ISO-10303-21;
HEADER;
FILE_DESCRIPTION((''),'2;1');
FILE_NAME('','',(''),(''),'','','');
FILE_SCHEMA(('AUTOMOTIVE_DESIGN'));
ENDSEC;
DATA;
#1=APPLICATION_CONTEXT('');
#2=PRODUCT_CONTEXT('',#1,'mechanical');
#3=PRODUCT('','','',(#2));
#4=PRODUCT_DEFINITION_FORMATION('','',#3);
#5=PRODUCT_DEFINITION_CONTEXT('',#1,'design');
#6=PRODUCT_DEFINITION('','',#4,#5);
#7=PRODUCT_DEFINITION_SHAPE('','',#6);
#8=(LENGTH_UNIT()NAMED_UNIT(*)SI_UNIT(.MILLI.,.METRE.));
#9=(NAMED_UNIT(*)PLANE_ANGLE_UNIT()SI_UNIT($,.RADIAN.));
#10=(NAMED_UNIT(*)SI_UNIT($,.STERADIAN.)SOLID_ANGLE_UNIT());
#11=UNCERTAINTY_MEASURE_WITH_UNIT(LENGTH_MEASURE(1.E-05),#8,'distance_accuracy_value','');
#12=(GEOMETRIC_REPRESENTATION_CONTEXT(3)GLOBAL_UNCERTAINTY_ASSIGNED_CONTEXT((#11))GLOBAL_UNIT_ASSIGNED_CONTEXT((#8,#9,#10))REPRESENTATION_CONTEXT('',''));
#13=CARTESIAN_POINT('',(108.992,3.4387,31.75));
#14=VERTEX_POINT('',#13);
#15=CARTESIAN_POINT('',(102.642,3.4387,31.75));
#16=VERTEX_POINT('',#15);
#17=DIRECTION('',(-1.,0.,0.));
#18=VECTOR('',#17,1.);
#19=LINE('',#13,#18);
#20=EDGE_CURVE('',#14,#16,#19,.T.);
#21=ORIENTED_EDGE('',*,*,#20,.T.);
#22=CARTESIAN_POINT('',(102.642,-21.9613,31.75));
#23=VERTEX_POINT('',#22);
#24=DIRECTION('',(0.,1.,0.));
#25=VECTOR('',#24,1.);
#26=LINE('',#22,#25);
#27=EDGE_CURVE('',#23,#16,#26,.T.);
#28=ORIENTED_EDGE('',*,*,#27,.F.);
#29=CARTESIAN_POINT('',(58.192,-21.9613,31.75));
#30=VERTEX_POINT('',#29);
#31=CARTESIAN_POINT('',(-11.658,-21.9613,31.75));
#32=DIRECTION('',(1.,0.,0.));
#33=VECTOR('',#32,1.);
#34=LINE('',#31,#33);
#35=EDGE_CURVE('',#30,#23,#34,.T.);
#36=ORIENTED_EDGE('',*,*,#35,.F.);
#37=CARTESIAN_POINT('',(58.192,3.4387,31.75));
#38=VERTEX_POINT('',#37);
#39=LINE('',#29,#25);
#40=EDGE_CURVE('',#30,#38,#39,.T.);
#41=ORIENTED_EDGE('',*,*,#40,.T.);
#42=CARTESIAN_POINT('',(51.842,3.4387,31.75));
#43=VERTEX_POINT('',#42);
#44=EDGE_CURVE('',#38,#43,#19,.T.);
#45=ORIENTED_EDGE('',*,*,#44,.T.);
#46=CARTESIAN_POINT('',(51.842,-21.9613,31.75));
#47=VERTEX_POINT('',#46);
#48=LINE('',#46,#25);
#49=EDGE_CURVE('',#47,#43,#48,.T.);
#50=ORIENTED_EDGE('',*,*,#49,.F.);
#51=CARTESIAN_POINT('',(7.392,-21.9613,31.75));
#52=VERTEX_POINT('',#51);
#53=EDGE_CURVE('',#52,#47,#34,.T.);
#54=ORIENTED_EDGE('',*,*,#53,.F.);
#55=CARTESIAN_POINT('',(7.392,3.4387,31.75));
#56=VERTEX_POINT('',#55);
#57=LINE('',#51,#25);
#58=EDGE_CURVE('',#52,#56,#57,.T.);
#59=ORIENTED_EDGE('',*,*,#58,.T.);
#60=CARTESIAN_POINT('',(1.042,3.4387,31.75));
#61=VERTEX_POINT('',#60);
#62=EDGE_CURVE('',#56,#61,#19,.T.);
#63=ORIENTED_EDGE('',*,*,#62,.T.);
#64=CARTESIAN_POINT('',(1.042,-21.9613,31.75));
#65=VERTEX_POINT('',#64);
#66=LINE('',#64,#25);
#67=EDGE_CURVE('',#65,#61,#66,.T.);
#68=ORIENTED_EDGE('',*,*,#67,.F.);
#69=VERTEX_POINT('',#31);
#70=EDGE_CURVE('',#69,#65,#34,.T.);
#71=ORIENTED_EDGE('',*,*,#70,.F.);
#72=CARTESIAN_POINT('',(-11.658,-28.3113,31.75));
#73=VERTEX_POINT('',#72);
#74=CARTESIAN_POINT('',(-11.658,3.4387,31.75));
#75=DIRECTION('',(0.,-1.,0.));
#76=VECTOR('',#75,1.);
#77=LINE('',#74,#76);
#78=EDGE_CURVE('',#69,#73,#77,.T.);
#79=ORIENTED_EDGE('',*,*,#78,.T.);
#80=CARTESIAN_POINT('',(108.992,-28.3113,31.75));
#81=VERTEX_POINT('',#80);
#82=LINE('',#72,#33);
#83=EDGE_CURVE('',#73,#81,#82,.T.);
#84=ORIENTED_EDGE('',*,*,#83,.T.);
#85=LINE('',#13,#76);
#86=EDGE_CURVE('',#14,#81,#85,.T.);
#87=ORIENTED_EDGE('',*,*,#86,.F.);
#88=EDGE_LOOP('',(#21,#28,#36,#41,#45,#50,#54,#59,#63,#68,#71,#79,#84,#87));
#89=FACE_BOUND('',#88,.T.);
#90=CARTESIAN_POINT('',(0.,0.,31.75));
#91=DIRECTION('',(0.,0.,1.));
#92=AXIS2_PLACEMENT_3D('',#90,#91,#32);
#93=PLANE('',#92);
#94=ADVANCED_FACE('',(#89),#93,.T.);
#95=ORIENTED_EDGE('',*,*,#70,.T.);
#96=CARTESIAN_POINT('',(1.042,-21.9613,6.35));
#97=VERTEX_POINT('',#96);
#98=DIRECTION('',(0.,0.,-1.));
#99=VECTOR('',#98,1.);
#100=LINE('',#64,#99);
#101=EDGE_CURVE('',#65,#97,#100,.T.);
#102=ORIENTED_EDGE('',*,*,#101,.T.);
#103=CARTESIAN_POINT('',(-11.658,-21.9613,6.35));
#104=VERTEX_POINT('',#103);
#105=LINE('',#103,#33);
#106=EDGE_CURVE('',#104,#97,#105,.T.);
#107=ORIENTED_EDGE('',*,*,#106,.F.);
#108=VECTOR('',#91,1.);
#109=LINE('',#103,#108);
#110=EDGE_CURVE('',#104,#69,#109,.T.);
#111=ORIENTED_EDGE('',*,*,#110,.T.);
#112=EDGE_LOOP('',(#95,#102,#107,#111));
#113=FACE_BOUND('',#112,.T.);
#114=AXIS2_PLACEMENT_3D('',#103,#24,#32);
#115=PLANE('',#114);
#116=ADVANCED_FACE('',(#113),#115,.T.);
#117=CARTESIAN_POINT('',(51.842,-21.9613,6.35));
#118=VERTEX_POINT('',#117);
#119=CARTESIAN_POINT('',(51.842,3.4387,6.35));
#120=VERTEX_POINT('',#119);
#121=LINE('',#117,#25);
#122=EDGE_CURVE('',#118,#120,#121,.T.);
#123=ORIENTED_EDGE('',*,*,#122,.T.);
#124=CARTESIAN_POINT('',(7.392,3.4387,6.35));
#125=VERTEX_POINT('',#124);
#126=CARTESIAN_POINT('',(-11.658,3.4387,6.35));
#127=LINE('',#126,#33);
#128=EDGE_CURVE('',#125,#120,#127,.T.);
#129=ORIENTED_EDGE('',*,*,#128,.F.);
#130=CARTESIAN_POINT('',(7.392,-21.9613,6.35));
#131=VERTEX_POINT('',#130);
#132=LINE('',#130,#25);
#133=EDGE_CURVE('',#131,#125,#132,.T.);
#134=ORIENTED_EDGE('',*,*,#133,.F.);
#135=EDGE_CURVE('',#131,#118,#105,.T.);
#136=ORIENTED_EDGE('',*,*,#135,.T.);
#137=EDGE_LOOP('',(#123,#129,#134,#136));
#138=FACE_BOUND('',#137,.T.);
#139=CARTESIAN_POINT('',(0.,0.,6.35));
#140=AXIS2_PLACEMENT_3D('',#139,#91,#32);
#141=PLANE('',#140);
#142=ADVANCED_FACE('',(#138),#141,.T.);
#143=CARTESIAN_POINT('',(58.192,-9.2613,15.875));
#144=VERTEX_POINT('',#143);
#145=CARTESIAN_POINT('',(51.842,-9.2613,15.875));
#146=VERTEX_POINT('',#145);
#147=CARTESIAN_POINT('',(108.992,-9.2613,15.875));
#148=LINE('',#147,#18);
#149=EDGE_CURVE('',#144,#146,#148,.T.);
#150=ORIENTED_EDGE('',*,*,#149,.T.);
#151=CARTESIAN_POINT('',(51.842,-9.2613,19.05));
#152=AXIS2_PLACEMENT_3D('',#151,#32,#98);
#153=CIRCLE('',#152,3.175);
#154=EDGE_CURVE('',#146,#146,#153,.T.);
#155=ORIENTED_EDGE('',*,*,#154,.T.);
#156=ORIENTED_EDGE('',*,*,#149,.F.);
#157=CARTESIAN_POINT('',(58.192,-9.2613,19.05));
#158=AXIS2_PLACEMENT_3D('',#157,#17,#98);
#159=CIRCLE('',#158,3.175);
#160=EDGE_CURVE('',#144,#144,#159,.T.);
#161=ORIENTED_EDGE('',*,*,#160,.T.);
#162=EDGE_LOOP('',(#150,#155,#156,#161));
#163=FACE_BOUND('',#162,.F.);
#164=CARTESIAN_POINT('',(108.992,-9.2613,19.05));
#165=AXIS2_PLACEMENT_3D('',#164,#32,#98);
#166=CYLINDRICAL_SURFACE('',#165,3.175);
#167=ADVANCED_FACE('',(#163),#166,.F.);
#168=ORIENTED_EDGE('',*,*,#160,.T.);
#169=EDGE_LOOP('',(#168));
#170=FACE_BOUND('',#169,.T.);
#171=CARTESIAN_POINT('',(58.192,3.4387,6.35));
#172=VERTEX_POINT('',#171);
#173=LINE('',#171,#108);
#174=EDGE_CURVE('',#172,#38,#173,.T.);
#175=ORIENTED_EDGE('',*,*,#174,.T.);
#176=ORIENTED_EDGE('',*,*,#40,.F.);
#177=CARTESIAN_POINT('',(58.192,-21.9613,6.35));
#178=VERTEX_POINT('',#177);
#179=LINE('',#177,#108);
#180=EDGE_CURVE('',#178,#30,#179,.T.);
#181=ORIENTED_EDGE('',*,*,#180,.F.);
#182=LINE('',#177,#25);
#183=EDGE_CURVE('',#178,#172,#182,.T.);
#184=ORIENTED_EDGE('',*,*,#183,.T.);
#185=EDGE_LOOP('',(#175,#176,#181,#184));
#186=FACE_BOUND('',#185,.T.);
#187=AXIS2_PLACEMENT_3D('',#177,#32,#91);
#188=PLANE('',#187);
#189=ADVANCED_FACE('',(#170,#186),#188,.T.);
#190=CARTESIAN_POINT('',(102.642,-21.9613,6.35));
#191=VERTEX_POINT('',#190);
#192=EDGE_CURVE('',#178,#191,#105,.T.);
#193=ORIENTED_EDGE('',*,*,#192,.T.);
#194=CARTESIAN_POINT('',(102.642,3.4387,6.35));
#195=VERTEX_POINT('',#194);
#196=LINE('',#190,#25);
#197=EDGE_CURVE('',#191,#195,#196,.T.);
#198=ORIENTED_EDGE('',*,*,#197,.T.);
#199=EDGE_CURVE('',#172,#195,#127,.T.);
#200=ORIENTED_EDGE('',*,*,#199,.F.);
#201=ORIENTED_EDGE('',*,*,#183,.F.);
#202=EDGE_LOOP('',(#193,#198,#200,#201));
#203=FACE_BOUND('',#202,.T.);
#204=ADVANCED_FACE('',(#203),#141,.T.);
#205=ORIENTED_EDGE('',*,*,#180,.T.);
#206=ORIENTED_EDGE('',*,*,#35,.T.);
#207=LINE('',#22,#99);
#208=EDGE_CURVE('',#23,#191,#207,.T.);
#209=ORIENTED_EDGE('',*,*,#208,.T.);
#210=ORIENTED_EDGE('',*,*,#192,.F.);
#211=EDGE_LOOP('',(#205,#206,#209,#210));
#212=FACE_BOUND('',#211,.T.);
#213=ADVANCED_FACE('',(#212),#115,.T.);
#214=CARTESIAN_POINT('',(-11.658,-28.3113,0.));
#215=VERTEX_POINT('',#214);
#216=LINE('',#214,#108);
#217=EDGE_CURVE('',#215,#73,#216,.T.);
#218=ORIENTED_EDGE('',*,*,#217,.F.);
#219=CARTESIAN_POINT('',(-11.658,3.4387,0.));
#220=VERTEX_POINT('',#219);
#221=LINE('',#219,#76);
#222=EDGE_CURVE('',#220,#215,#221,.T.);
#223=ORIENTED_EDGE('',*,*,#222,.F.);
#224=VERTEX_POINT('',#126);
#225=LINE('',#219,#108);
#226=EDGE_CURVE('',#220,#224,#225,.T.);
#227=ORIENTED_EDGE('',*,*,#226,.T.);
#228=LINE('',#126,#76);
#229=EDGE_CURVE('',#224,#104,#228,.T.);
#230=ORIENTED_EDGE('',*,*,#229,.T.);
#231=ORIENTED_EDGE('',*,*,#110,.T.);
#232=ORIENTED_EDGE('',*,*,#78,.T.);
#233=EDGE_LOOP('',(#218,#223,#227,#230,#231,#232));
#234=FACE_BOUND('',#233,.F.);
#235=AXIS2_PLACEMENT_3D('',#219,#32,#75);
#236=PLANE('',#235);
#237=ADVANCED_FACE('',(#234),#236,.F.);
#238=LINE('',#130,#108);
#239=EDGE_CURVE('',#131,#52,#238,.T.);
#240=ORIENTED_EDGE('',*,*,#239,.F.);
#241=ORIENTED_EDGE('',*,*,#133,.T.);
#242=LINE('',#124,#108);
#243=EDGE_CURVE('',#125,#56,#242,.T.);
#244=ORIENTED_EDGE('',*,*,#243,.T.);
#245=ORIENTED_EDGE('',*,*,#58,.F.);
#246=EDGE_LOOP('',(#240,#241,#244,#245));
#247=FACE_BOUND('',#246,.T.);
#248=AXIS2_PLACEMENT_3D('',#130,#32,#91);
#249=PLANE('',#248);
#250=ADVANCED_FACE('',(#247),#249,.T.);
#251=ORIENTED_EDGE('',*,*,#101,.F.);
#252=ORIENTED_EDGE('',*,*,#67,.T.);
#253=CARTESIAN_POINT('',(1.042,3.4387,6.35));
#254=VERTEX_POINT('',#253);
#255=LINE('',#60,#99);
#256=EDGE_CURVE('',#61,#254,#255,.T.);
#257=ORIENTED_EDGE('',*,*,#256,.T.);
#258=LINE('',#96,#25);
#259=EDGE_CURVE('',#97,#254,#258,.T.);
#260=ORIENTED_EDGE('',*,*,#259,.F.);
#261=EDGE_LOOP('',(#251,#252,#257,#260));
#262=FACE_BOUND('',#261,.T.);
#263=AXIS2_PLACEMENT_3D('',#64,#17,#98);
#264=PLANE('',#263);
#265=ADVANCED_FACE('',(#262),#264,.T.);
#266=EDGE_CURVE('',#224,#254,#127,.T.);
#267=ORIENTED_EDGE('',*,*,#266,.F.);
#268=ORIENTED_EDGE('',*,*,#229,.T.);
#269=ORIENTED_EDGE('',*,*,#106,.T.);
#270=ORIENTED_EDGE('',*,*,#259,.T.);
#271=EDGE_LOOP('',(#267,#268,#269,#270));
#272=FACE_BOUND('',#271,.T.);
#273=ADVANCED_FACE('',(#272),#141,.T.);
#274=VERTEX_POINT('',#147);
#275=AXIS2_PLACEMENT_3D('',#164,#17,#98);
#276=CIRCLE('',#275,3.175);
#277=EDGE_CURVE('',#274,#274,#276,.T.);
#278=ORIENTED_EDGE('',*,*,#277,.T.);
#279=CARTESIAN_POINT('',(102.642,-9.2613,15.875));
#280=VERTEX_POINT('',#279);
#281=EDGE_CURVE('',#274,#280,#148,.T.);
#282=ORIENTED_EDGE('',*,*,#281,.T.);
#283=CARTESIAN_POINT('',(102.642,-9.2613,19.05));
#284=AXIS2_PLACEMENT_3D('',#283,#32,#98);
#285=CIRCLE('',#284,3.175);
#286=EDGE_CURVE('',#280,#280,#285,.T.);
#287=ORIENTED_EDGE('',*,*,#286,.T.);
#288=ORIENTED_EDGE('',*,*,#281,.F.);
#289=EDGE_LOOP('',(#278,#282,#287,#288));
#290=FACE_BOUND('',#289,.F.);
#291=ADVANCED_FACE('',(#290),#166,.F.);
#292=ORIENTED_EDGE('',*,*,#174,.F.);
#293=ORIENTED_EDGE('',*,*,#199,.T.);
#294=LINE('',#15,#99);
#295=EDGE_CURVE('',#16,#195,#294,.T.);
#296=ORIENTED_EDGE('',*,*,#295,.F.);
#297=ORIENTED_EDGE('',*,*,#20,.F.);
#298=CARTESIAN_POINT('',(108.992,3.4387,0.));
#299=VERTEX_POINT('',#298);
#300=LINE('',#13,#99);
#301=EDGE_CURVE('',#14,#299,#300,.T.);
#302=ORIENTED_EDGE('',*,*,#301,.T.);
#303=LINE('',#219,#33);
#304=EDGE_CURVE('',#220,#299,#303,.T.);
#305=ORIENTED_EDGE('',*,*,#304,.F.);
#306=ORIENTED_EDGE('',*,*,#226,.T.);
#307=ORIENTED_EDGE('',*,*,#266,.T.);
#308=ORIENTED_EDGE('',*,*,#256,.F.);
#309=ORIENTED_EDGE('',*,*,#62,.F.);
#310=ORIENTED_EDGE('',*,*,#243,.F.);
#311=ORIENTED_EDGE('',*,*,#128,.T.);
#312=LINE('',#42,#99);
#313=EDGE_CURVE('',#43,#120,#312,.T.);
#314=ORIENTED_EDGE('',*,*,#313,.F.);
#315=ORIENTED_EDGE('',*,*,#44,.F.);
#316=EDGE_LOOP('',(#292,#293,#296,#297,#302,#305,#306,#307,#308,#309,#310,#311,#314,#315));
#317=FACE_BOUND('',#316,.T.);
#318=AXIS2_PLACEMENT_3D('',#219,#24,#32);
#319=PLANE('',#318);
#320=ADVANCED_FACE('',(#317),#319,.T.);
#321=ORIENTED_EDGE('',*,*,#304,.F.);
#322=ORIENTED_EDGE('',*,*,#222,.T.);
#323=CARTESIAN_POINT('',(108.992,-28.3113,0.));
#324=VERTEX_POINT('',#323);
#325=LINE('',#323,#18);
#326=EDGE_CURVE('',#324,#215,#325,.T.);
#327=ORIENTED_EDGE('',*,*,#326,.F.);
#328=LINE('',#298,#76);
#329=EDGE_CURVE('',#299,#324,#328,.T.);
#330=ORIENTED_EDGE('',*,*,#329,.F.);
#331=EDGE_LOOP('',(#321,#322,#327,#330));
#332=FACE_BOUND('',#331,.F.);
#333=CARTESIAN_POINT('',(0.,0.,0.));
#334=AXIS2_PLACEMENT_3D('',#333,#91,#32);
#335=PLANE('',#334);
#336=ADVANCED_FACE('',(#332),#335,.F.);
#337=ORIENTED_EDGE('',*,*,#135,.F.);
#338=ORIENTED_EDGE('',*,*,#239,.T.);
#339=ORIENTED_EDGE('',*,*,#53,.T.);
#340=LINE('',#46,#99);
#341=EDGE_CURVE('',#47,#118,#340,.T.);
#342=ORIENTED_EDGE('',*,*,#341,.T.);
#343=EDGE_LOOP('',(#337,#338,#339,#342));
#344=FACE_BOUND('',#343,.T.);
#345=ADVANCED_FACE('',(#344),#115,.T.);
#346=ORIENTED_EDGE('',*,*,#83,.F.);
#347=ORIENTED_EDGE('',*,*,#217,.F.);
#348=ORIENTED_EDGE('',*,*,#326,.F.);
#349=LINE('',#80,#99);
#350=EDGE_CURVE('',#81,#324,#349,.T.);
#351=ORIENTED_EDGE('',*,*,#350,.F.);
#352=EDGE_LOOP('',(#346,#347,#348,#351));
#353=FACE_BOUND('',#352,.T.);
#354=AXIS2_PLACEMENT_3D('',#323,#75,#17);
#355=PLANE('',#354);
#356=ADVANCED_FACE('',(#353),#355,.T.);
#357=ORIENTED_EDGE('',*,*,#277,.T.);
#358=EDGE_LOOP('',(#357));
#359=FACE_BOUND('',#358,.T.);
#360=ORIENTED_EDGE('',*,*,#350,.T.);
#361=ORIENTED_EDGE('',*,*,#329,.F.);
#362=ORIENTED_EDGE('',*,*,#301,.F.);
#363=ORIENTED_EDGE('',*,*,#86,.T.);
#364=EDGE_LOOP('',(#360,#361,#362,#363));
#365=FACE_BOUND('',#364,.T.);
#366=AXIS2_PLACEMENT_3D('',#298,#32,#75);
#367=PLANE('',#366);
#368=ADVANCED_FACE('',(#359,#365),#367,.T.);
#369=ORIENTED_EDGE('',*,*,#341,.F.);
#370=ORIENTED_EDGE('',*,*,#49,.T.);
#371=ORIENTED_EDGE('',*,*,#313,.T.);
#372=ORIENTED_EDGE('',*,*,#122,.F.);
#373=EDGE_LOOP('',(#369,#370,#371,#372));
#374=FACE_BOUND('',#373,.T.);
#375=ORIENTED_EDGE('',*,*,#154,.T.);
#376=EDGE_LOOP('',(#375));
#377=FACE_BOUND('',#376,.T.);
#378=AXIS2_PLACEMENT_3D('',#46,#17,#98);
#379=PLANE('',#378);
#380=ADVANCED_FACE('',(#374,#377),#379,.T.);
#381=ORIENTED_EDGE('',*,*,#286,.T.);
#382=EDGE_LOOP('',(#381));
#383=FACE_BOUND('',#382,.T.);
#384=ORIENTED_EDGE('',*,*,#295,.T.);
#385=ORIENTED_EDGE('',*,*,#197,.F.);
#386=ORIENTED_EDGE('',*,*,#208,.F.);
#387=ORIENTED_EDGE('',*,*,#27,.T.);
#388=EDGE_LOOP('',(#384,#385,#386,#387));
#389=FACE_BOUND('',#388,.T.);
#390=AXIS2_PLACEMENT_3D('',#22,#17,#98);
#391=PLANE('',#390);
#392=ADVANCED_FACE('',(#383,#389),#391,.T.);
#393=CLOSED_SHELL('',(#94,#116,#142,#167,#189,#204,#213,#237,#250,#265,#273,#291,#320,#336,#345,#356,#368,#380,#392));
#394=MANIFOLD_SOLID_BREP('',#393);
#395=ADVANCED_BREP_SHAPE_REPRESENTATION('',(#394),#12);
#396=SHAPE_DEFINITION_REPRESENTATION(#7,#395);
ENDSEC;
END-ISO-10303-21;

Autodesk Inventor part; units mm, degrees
ref_plane "YZ Plane" through (0, 0, 0) normal (1, 0, 0) x (0, 1, 0)
ref_plane "XZ Plane" through (0, 0, 0) normal (0, 1, 0) x (-1, 0, 0)
ref_plane "XY Plane" through (0, 0, 0) normal (0, 0, 1) x (1, 0, 0)
sketch "Sketch1" plane through (0, 0, 0) normal (0, 0, 1) x (1, 0, 0)
  line L0 (-11.658, 3.4387) -> (-11.658, -28.3113)
  line L1 (-11.658, 3.4387) -> (108.992, 3.4387)
  line L2 (108.992, 3.4387) -> (108.992, -28.3113)
  line L3 (108.992, -28.3113) -> (-11.658, -28.3113)
  point P0 (0, 0)
  dimension "d0" = 31.75
  dimension "d1" = 120.65
  dimension "d2" = 31.75
extrude "Extrusion1" add sketch "Sketch1" along normal blind 6.35
sketch "Sketch2" plane through (0, 0, 6.35) normal (0, 0, 1) x (1, 0, 0)
  line L0 (-11.658, 3.4387) -> (-11.658, -28.3113) projected
  line L1 (-11.658, -28.3113) -> (108.992, -28.3113) projected
  line L2 (108.992, -28.3113) -> (108.992, 3.4387) projected
  line L3 (-11.658, -28.3113) -> (-11.658, -21.9613)
  line L4 (-11.658, -21.9613) -> (108.992, -21.9613)
  line L5 (108.992, -28.3113) -> (-11.658, -28.3113)
  point P0 (0, 0)
  dimension "d5" = 6.35
extrude "Extrusion2" add sketch "Sketch2" along normal blind 25.4
sketch "Sketch3" plane through (-11.658, -21.9613, 6.35) normal (0, 1, 0) x (1, 0, 0)
  line L0 (0, 0) -> (120.65, 0) projected
  line L1 (120.65, -25.4) -> (0, -25.4) projected
  line L2 (120.65, 0) -> (120.65, -25.4) projected
  line L3 (0, -25.4) -> (12.7, -25.4)
  line L4 (12.7, -25.4) -> (12.7, 0)
  line L5 (12.7, 0) -> (19.05, 0)
  line L6 (19.05, 0) -> (19.05, -25.4)
  line L7 (19.05, -25.4) -> (12.7, -25.4)
  line L8 (19.05, -25.4) -> (63.5, -25.4)
  line L9 (63.5, -25.4) -> (63.5, 0)
  line L10 (63.5, 0) -> (69.85, 0)
  line L11 (69.85, 0) -> (69.85, -25.4)
  line L12 (69.85, -25.4) -> (63.5, -25.4)
  line L13 (69.85, -25.4) -> (114.3, -25.4)
  line L14 (114.3, -25.4) -> (114.3, 0)
  line L15 (120.65, 0) -> (114.3, 0)
  line L16 (120.65, 0) -> (120.65, -25.4)
  line L17 (114.3, -25.4) -> (120.65, -25.4)
  point P0 (11.658, 6.35)
  dimension "d8" = 12.7
  dimension "d9" = 6.35
  dimension "d10" = 25.4
  dimension "d11" = 44.45
  dimension "d12" = 6.35
  dimension "d13" = 25.4
  dimension "d14" = 44.45
extrude "Extrusion3" add sketch "Sketch3" along normal blind 25.4 contours L0 L6 L1 L4 | L0 L11 L1 L9 | L0 L2 L1 L14
sketch "Sketch4" plane through (7.392, -21.9613, 31.75) normal (1, 0, 0) x (0, 0, -1)
  line L0 (25.4, 0) -> (0, 0) projected
  line L1 (25.4, 25.4) -> (25.4, 0) projected
  line L2 (0, 25.4) -> (25.4, 25.4) projected
  line L3 (0, 0) -> (0, 25.4) projected
  point P0 (31.75, 21.9613)
sketch "Sketch5" plane through (108.992, -28.3113, 0) normal (1, 0, 0) x (0, 0, -1)
  line L0 (-31.75, 0) -> (-31.75, 31.75) projected
  line L1 (-31.75, 31.75) -> (-31.75, 19.05)
  line L2 (-31.75, 19.05) -> (-19.05, 19.05)
  circle A0 centre (-19.05, 19.05) radius 3.175
  point P0 (0, 28.3113)
  dimension "d17" = 12.7
  dimension "d18" = 12.7
  dimension "d19" = 6.35
extrude "Extrusion4" cut sketch "Sketch5" against normal blind 76.2
properties part number "corner"
